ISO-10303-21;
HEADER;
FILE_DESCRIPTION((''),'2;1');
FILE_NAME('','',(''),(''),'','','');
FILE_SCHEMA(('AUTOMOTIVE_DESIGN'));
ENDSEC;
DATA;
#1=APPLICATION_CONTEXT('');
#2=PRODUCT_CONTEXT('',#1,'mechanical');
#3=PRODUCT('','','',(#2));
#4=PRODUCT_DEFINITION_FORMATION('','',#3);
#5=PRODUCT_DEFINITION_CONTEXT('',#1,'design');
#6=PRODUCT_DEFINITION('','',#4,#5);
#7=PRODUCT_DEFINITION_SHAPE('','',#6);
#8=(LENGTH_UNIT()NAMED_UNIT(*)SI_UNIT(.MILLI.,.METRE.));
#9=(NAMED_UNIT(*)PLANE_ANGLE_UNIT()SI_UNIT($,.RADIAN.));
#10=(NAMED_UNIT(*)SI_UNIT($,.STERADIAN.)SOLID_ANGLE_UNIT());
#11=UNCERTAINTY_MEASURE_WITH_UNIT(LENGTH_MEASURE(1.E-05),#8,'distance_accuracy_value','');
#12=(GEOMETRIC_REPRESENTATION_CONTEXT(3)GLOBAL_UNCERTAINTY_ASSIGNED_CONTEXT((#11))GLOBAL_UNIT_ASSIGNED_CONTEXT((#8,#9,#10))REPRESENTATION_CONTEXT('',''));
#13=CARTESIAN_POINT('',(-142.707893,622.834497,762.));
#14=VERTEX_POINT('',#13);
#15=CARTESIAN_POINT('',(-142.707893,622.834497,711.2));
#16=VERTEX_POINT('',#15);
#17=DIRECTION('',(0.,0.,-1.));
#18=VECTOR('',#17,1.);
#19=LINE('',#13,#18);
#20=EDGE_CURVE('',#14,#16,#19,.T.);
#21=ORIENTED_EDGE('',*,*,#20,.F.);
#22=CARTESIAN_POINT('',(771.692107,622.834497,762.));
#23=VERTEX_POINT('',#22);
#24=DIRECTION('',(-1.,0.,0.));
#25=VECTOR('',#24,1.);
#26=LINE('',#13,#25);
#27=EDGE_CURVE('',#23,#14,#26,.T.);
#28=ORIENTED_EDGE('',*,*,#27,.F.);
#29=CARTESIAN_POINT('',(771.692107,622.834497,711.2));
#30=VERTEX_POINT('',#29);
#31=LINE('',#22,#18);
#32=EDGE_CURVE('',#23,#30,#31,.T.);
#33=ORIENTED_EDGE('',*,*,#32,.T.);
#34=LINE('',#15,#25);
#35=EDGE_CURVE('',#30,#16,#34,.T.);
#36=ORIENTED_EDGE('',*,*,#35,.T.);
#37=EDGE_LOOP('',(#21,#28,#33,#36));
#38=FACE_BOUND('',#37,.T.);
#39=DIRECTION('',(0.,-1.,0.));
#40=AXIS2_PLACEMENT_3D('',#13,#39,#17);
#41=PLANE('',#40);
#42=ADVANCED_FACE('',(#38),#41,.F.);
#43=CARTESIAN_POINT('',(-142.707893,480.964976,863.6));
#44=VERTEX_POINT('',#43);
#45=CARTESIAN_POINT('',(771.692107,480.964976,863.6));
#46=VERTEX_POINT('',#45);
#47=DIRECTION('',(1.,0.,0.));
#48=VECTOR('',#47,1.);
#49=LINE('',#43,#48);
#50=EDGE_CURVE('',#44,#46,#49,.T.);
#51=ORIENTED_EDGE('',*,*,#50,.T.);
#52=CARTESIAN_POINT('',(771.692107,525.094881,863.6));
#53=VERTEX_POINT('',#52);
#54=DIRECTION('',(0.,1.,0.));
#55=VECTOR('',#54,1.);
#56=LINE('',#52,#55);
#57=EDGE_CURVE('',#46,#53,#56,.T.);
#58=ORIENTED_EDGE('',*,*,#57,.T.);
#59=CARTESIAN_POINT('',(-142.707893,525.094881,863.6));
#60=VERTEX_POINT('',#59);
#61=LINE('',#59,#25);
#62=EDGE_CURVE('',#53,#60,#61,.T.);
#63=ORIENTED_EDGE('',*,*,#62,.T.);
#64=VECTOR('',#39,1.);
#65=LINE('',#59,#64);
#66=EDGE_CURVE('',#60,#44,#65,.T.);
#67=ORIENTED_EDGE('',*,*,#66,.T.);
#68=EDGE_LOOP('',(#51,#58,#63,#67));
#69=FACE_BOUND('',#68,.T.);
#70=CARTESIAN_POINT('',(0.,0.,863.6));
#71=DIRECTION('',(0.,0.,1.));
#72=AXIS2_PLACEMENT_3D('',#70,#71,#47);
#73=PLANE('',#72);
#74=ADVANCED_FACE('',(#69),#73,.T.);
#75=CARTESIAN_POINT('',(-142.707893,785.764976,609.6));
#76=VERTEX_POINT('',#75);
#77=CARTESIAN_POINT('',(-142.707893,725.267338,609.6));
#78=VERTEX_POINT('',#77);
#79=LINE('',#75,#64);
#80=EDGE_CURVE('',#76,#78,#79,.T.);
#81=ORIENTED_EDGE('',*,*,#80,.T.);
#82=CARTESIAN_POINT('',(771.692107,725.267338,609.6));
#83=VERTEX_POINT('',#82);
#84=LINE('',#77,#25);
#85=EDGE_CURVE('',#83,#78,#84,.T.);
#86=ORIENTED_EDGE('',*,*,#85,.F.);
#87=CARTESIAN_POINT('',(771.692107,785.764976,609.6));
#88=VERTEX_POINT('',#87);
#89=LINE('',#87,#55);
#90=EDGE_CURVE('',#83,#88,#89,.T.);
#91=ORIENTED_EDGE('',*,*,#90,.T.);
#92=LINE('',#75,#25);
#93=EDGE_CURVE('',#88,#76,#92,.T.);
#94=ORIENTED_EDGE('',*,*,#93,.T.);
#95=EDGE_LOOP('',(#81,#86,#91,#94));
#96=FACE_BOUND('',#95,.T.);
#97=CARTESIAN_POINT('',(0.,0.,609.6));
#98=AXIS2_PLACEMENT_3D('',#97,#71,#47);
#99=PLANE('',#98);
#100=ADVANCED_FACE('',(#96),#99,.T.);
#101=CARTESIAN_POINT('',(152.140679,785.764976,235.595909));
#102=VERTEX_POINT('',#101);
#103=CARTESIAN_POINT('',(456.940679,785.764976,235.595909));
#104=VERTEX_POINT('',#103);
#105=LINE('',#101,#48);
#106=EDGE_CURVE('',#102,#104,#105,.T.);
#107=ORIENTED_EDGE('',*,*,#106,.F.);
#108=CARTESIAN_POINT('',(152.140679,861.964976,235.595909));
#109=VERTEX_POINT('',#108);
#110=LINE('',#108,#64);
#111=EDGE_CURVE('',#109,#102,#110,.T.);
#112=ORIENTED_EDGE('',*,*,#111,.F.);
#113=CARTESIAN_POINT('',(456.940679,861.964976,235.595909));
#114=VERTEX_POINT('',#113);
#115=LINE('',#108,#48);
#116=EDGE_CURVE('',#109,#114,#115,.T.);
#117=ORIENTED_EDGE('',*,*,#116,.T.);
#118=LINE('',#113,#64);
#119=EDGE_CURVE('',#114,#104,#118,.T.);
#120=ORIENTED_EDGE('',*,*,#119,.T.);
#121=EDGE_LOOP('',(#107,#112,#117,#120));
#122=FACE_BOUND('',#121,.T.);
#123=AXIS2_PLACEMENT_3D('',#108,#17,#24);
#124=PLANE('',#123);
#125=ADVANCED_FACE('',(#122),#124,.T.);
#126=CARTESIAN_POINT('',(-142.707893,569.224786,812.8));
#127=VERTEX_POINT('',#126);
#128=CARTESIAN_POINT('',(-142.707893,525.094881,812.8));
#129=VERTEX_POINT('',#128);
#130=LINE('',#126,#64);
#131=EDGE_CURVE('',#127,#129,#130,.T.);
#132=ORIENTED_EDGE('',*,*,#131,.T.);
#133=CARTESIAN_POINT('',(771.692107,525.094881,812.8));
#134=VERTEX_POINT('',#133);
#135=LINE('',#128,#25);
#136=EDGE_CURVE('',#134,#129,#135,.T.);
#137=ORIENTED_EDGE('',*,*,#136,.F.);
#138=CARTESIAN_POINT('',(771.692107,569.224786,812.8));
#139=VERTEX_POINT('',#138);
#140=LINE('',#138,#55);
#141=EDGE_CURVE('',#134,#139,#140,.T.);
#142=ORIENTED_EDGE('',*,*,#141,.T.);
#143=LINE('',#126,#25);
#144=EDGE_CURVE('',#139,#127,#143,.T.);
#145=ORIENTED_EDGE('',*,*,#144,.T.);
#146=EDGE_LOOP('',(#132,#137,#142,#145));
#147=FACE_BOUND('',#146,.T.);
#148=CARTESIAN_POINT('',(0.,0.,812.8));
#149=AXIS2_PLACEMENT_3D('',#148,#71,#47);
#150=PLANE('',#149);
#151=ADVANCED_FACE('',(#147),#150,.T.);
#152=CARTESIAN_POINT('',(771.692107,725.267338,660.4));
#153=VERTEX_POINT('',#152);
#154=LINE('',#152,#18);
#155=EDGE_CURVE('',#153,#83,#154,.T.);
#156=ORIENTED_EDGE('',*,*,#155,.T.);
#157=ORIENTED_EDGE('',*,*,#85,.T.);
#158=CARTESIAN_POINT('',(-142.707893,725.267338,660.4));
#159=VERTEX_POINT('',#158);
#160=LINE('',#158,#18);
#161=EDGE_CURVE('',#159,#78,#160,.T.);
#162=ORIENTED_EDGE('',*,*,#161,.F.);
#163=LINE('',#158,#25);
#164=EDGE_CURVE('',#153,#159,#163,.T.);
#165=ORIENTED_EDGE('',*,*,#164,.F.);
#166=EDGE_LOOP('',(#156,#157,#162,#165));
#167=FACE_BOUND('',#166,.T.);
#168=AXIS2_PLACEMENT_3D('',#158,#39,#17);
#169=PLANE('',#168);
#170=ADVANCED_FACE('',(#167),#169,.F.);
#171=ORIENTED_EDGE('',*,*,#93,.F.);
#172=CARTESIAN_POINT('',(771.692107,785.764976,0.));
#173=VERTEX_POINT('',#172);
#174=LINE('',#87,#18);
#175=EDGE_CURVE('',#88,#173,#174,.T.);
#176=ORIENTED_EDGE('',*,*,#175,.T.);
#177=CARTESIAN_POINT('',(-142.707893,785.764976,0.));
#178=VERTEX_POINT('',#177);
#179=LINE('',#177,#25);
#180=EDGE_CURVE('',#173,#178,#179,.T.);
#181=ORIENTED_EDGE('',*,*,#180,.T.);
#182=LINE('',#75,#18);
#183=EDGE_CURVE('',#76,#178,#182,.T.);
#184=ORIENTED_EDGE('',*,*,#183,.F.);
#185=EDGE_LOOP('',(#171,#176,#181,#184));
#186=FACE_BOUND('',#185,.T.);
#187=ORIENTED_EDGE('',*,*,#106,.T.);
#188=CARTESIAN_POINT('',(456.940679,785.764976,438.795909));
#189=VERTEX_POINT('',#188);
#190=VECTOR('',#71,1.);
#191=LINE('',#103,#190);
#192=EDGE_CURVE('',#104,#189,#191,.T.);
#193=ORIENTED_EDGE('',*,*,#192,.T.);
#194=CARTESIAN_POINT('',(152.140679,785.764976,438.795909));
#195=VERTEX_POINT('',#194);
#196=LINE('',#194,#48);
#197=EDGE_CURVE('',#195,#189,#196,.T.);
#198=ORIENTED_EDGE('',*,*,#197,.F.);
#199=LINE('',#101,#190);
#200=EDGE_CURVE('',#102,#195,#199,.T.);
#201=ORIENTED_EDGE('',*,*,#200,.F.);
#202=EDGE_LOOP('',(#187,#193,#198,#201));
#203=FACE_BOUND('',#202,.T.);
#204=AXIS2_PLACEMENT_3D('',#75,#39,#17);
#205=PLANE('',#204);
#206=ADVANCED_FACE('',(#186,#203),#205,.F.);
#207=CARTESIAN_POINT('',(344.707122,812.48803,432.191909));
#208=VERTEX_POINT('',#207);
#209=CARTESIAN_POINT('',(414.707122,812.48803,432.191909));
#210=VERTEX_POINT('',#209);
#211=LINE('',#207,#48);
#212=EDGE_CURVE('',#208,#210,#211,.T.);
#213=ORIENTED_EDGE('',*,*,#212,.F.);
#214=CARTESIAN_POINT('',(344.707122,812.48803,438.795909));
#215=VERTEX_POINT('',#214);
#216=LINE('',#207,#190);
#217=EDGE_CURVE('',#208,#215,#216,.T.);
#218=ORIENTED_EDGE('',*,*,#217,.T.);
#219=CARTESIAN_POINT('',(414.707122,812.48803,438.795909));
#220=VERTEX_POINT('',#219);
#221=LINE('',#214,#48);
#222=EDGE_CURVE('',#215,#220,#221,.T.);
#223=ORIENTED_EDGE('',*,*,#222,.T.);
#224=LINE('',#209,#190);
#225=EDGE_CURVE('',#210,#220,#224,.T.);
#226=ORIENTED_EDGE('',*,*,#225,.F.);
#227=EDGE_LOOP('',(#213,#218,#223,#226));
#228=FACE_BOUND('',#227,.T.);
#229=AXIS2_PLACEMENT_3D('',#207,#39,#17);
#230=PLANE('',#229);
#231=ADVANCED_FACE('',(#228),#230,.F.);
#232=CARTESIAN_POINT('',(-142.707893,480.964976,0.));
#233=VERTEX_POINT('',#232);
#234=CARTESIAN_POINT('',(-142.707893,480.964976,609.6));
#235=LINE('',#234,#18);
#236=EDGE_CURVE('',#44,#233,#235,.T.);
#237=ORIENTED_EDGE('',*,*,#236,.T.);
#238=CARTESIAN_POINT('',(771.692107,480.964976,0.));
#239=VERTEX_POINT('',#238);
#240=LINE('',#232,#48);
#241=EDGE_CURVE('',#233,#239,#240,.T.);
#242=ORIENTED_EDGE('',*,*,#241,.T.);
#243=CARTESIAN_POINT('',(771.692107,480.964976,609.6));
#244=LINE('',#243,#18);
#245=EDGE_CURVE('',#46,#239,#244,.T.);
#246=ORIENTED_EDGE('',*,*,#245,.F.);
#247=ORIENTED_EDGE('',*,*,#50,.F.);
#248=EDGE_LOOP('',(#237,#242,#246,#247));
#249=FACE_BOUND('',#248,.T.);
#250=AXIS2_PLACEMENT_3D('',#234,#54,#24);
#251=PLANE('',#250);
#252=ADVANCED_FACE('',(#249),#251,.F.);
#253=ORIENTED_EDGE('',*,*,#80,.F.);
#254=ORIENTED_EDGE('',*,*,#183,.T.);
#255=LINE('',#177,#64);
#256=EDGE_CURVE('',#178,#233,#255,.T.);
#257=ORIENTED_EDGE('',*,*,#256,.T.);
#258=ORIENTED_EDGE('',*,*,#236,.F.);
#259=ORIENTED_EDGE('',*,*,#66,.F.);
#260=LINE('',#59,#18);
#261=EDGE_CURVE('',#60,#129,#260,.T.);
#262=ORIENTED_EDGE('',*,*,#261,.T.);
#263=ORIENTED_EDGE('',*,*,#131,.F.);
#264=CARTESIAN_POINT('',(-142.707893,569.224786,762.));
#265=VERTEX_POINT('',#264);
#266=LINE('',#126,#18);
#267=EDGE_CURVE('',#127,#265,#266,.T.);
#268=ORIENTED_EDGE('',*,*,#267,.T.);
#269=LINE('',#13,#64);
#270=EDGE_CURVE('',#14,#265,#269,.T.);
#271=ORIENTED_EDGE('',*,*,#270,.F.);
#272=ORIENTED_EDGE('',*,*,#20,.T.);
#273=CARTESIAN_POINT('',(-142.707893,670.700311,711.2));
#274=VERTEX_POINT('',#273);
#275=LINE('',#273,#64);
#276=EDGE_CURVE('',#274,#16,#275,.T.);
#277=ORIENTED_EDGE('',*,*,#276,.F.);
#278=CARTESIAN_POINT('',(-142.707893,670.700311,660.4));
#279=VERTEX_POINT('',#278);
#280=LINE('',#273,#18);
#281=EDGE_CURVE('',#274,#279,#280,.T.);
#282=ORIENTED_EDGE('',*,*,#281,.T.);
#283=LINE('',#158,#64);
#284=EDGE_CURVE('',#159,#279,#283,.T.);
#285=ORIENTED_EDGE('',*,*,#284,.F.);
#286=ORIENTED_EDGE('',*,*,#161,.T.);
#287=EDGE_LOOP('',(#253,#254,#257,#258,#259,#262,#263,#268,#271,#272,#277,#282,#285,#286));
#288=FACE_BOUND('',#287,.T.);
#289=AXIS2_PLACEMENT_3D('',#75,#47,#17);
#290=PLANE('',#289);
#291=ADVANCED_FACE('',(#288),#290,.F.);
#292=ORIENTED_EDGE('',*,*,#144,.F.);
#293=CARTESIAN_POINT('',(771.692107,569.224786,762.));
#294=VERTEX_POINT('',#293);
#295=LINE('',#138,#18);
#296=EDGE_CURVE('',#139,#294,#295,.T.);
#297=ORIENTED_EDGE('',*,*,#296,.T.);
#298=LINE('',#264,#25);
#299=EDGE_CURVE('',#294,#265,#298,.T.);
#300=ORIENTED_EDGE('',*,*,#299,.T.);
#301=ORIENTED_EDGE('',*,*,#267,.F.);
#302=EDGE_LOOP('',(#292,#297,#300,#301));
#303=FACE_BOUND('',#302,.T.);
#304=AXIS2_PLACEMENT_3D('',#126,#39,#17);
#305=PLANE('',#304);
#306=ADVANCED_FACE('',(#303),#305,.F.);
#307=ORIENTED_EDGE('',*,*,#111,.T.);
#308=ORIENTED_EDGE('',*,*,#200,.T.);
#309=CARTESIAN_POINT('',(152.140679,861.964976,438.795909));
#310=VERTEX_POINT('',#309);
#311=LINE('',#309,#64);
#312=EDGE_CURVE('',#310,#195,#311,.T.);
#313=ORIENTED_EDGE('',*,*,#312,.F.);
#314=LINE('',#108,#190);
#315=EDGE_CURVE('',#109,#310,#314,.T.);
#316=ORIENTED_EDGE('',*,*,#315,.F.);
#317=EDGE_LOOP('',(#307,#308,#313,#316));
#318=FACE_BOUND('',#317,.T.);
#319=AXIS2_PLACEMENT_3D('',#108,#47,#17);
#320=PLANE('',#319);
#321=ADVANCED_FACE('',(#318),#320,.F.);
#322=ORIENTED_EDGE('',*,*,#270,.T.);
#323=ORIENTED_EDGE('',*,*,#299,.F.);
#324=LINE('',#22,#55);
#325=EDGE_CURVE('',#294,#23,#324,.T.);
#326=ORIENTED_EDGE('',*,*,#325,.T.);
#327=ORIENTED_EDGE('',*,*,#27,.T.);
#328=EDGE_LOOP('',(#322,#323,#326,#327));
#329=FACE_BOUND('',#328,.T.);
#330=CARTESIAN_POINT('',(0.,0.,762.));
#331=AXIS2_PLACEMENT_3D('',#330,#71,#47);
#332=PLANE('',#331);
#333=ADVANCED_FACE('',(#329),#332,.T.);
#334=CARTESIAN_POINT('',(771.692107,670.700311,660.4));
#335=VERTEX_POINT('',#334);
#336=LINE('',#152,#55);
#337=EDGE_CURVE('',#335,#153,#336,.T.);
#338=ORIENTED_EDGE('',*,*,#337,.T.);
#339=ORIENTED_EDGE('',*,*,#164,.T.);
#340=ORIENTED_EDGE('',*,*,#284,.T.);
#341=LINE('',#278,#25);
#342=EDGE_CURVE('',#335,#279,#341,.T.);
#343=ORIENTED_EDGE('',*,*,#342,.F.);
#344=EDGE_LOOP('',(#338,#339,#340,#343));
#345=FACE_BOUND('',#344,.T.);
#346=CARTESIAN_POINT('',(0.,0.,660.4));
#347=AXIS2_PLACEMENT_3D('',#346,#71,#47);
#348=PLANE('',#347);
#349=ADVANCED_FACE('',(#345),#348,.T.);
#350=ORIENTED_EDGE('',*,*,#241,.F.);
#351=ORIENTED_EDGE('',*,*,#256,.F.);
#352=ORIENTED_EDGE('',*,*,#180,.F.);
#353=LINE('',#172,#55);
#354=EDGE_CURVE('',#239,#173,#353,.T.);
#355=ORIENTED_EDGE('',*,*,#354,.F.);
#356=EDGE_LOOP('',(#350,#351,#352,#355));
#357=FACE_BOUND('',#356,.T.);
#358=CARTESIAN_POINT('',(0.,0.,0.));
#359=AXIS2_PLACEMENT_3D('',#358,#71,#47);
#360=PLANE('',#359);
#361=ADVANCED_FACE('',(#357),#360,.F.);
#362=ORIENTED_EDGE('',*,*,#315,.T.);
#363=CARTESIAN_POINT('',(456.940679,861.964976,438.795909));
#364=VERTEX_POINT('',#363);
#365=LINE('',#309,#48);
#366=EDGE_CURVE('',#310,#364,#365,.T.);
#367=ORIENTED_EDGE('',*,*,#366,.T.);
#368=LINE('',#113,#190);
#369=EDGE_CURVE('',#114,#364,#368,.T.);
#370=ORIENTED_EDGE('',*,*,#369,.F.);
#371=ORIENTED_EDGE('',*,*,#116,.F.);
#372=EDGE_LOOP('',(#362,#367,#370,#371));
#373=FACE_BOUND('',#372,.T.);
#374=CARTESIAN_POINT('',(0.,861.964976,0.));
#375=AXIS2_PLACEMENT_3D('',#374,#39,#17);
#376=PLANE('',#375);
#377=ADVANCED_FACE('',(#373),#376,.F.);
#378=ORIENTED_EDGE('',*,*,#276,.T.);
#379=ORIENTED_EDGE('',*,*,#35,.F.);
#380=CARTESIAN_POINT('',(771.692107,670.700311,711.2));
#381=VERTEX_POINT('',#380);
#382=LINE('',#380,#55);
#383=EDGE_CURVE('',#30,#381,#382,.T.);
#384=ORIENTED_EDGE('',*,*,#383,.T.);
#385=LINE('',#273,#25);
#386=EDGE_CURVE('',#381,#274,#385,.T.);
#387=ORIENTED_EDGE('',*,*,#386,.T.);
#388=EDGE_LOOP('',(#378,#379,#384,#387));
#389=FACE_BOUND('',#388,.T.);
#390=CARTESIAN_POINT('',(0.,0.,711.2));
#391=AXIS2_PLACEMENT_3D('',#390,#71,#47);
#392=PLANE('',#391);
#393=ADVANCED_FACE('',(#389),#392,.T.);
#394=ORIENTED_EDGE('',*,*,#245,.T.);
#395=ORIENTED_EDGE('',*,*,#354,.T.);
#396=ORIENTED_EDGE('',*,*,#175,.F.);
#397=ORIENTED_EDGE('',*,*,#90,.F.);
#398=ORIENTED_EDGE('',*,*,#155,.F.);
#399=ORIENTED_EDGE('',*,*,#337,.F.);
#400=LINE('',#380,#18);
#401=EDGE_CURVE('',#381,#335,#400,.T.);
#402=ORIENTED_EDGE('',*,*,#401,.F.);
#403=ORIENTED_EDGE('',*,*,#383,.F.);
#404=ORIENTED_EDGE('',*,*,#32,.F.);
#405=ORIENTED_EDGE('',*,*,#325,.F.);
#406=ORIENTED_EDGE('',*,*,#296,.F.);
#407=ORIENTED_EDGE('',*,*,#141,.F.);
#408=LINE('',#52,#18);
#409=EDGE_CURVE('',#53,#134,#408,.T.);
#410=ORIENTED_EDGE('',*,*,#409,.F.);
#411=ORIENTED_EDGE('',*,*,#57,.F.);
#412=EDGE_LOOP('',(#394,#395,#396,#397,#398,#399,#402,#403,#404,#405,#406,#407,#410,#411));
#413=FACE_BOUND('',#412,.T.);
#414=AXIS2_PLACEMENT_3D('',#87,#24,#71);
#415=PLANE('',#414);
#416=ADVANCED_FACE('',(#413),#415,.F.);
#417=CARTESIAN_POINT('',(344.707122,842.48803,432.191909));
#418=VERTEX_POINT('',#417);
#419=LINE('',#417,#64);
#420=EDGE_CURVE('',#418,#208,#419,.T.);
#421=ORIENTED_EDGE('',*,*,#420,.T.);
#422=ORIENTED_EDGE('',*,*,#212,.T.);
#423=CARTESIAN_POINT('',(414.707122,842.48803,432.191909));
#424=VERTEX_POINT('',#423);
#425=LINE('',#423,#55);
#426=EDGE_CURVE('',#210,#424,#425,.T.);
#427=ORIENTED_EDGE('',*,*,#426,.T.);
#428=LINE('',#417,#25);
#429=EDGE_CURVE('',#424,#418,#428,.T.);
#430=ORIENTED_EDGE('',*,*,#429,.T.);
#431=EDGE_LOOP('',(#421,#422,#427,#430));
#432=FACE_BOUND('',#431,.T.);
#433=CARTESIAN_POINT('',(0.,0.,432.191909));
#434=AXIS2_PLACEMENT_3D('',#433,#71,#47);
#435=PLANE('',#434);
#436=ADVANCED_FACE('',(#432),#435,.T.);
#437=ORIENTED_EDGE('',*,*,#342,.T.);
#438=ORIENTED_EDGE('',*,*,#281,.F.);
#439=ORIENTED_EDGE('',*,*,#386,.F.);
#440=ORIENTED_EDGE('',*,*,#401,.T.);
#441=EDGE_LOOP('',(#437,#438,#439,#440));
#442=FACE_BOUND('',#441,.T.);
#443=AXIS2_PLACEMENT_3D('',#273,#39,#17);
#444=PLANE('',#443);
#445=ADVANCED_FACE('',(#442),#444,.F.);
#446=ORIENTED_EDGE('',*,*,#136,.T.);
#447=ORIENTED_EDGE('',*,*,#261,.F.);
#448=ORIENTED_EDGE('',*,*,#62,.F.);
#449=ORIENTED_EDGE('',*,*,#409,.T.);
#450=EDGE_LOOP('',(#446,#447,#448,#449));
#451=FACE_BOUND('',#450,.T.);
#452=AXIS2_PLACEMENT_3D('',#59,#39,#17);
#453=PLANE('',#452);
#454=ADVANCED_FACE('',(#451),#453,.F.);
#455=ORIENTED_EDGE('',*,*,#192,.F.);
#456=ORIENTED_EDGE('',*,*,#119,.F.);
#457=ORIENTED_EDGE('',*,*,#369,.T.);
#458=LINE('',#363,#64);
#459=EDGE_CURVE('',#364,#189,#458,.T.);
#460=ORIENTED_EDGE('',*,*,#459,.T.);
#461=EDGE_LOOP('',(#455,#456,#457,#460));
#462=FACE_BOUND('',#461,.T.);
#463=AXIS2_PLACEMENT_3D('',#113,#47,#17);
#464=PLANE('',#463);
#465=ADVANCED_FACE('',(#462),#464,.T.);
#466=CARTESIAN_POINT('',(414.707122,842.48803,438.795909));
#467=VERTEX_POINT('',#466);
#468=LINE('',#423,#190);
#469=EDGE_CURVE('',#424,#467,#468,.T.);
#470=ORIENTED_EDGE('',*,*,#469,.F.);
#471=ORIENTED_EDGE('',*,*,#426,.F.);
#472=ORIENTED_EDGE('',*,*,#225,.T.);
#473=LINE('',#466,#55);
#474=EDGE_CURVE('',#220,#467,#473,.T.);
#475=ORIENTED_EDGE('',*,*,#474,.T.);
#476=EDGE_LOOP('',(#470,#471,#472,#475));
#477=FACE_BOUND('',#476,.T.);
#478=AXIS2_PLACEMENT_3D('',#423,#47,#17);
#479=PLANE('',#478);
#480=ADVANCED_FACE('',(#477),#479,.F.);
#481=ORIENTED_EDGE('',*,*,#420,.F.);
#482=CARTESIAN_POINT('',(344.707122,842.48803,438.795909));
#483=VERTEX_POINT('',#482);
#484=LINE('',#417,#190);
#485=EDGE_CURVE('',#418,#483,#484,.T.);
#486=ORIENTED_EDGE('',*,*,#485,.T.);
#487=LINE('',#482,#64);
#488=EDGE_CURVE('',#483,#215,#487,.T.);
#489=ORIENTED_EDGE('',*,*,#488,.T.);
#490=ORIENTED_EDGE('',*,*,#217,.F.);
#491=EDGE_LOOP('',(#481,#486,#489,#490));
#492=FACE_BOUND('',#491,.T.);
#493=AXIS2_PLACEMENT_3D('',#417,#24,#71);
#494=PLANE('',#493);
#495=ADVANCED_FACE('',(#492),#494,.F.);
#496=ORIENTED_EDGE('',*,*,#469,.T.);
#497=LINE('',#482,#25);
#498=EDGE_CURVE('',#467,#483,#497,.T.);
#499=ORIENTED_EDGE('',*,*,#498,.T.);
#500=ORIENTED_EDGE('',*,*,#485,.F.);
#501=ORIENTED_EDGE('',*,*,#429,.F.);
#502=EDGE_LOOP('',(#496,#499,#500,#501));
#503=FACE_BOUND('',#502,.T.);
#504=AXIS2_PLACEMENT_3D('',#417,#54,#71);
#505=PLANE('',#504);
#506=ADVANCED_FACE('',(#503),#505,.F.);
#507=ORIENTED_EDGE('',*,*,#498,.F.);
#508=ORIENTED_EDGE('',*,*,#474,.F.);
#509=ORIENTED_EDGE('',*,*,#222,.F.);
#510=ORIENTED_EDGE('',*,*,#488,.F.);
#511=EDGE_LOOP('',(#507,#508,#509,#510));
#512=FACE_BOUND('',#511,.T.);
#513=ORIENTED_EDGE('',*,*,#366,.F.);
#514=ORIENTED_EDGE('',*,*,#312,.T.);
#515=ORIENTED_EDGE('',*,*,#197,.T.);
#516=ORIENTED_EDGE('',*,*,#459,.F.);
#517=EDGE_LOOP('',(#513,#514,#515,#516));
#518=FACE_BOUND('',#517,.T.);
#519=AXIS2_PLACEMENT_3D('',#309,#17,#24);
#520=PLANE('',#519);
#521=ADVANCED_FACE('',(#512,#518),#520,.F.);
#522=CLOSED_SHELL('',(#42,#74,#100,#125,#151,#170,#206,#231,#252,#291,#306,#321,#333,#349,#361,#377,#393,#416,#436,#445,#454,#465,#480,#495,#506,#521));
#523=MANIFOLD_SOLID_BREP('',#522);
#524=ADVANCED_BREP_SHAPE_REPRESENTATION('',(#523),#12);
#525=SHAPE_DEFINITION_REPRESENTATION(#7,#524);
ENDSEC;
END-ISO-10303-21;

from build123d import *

# Parameters (mm, degrees)
SKETCH2_W           = 914.4
SKETCH2_H           = 304.8
BOSS_EXTRUDE3_DEPTH = 609.6
SKETCH3_W           = 914.4
SKETCH3_H           = 244.302361722
BOSS_EXTRUDE4_DEPTH = 50.8
SKETCH4_W           = 914.4
SKETCH4_H           = 189.735334449
BOSS_EXTRUDE5_DEPTH = 50.8
SKETCH5_W           = 914.4
SKETCH5_H           = 141.869521053
BOSS_EXTRUDE6_DEPTH = 50.8
SKETCH6_W           = 914.4
SKETCH6_H           = 88.259810048
BOSS_EXTRUDE7_DEPTH = 50.8
SKETCH7_W           = 914.4
SKETCH7_H           = 44.129905024
BOSS_EXTRUDE8_DEPTH = 50.8
SKETCH8_W           = 304.8
SKETCH8_H           = 203.2
BOSS_EXTRUDE9_DEPTH = 76.2
SKETCH9_W           = 70
SKETCH9_H           = 30
CUT_EXTRUDE1_DEPTH  = 6.604


with BuildPart() as part:
    # Sketch2 → Boss-Extrude3 (new body)
    with BuildSketch(Plane.XY):
        with Locations((314.492107476, 633.364976232)):
            Rectangle(SKETCH2_W, SKETCH2_H)
    extrude(amount=BOSS_EXTRUDE3_DEPTH)

    # Sketch3 → Boss-Extrude4 (add)
    with BuildSketch(Plane.XY.offset(609.6)):
        with Locations((314.492107476, 603.116157093)):
            Rectangle(SKETCH3_W, SKETCH3_H)
    extrude(amount=BOSS_EXTRUDE4_DEPTH)

    # Sketch4 → Boss-Extrude5 (add)
    with BuildSketch(Plane.XY.offset(660.4)):
        with Locations((314.492107476, 575.832643457)):
            Rectangle(SKETCH4_W, SKETCH4_H)
    extrude(amount=BOSS_EXTRUDE5_DEPTH)

    # Sketch5 → Boss-Extrude6 (add)
    with BuildSketch(Plane.XY.offset(711.2)):
        with Locations((314.492107476, 551.899736759)):
            Rectangle(SKETCH5_W, SKETCH5_H)
    extrude(amount=BOSS_EXTRUDE6_DEPTH)

    # Sketch6 → Boss-Extrude7 (add)
    with BuildSketch(Plane.XY.offset(762)):
        with Locations((314.492107476, 525.094881256)):
            Rectangle(SKETCH6_W, SKETCH6_H)
    extrude(amount=BOSS_EXTRUDE7_DEPTH)

    # Sketch7 → Boss-Extrude8 (add)
    with BuildSketch(Plane.XY.offset(812.8)):
        with Locations((314.492107476, 503.029928744)):
            Rectangle(SKETCH7_W, SKETCH7_H)
    extrude(amount=BOSS_EXTRUDE8_DEPTH)

    # Sketch8 → Boss-Extrude9 (add)
    with BuildSketch(Plane(origin=(0, 785.764976232, 0), x_dir=(1, 0, 0), z_dir=(0, 1, 0))):
        with Locations((304.540679121, -337.195909304)):
            Rectangle(SKETCH8_W, SKETCH8_H)
    extrude(amount=BOSS_EXTRUDE9_DEPTH)

    # Sketch9 → Cut-Extrude1 (cut)
    with BuildSketch(Plane.XY.offset(438.795909304)):
        with Locations((379.707122213, 827.488030004)):
            Rectangle(SKETCH9_W, SKETCH9_H)
    extrude(amount=-CUT_EXTRUDE1_DEPTH, mode=Mode.SUBTRACT)


solid = part.part
